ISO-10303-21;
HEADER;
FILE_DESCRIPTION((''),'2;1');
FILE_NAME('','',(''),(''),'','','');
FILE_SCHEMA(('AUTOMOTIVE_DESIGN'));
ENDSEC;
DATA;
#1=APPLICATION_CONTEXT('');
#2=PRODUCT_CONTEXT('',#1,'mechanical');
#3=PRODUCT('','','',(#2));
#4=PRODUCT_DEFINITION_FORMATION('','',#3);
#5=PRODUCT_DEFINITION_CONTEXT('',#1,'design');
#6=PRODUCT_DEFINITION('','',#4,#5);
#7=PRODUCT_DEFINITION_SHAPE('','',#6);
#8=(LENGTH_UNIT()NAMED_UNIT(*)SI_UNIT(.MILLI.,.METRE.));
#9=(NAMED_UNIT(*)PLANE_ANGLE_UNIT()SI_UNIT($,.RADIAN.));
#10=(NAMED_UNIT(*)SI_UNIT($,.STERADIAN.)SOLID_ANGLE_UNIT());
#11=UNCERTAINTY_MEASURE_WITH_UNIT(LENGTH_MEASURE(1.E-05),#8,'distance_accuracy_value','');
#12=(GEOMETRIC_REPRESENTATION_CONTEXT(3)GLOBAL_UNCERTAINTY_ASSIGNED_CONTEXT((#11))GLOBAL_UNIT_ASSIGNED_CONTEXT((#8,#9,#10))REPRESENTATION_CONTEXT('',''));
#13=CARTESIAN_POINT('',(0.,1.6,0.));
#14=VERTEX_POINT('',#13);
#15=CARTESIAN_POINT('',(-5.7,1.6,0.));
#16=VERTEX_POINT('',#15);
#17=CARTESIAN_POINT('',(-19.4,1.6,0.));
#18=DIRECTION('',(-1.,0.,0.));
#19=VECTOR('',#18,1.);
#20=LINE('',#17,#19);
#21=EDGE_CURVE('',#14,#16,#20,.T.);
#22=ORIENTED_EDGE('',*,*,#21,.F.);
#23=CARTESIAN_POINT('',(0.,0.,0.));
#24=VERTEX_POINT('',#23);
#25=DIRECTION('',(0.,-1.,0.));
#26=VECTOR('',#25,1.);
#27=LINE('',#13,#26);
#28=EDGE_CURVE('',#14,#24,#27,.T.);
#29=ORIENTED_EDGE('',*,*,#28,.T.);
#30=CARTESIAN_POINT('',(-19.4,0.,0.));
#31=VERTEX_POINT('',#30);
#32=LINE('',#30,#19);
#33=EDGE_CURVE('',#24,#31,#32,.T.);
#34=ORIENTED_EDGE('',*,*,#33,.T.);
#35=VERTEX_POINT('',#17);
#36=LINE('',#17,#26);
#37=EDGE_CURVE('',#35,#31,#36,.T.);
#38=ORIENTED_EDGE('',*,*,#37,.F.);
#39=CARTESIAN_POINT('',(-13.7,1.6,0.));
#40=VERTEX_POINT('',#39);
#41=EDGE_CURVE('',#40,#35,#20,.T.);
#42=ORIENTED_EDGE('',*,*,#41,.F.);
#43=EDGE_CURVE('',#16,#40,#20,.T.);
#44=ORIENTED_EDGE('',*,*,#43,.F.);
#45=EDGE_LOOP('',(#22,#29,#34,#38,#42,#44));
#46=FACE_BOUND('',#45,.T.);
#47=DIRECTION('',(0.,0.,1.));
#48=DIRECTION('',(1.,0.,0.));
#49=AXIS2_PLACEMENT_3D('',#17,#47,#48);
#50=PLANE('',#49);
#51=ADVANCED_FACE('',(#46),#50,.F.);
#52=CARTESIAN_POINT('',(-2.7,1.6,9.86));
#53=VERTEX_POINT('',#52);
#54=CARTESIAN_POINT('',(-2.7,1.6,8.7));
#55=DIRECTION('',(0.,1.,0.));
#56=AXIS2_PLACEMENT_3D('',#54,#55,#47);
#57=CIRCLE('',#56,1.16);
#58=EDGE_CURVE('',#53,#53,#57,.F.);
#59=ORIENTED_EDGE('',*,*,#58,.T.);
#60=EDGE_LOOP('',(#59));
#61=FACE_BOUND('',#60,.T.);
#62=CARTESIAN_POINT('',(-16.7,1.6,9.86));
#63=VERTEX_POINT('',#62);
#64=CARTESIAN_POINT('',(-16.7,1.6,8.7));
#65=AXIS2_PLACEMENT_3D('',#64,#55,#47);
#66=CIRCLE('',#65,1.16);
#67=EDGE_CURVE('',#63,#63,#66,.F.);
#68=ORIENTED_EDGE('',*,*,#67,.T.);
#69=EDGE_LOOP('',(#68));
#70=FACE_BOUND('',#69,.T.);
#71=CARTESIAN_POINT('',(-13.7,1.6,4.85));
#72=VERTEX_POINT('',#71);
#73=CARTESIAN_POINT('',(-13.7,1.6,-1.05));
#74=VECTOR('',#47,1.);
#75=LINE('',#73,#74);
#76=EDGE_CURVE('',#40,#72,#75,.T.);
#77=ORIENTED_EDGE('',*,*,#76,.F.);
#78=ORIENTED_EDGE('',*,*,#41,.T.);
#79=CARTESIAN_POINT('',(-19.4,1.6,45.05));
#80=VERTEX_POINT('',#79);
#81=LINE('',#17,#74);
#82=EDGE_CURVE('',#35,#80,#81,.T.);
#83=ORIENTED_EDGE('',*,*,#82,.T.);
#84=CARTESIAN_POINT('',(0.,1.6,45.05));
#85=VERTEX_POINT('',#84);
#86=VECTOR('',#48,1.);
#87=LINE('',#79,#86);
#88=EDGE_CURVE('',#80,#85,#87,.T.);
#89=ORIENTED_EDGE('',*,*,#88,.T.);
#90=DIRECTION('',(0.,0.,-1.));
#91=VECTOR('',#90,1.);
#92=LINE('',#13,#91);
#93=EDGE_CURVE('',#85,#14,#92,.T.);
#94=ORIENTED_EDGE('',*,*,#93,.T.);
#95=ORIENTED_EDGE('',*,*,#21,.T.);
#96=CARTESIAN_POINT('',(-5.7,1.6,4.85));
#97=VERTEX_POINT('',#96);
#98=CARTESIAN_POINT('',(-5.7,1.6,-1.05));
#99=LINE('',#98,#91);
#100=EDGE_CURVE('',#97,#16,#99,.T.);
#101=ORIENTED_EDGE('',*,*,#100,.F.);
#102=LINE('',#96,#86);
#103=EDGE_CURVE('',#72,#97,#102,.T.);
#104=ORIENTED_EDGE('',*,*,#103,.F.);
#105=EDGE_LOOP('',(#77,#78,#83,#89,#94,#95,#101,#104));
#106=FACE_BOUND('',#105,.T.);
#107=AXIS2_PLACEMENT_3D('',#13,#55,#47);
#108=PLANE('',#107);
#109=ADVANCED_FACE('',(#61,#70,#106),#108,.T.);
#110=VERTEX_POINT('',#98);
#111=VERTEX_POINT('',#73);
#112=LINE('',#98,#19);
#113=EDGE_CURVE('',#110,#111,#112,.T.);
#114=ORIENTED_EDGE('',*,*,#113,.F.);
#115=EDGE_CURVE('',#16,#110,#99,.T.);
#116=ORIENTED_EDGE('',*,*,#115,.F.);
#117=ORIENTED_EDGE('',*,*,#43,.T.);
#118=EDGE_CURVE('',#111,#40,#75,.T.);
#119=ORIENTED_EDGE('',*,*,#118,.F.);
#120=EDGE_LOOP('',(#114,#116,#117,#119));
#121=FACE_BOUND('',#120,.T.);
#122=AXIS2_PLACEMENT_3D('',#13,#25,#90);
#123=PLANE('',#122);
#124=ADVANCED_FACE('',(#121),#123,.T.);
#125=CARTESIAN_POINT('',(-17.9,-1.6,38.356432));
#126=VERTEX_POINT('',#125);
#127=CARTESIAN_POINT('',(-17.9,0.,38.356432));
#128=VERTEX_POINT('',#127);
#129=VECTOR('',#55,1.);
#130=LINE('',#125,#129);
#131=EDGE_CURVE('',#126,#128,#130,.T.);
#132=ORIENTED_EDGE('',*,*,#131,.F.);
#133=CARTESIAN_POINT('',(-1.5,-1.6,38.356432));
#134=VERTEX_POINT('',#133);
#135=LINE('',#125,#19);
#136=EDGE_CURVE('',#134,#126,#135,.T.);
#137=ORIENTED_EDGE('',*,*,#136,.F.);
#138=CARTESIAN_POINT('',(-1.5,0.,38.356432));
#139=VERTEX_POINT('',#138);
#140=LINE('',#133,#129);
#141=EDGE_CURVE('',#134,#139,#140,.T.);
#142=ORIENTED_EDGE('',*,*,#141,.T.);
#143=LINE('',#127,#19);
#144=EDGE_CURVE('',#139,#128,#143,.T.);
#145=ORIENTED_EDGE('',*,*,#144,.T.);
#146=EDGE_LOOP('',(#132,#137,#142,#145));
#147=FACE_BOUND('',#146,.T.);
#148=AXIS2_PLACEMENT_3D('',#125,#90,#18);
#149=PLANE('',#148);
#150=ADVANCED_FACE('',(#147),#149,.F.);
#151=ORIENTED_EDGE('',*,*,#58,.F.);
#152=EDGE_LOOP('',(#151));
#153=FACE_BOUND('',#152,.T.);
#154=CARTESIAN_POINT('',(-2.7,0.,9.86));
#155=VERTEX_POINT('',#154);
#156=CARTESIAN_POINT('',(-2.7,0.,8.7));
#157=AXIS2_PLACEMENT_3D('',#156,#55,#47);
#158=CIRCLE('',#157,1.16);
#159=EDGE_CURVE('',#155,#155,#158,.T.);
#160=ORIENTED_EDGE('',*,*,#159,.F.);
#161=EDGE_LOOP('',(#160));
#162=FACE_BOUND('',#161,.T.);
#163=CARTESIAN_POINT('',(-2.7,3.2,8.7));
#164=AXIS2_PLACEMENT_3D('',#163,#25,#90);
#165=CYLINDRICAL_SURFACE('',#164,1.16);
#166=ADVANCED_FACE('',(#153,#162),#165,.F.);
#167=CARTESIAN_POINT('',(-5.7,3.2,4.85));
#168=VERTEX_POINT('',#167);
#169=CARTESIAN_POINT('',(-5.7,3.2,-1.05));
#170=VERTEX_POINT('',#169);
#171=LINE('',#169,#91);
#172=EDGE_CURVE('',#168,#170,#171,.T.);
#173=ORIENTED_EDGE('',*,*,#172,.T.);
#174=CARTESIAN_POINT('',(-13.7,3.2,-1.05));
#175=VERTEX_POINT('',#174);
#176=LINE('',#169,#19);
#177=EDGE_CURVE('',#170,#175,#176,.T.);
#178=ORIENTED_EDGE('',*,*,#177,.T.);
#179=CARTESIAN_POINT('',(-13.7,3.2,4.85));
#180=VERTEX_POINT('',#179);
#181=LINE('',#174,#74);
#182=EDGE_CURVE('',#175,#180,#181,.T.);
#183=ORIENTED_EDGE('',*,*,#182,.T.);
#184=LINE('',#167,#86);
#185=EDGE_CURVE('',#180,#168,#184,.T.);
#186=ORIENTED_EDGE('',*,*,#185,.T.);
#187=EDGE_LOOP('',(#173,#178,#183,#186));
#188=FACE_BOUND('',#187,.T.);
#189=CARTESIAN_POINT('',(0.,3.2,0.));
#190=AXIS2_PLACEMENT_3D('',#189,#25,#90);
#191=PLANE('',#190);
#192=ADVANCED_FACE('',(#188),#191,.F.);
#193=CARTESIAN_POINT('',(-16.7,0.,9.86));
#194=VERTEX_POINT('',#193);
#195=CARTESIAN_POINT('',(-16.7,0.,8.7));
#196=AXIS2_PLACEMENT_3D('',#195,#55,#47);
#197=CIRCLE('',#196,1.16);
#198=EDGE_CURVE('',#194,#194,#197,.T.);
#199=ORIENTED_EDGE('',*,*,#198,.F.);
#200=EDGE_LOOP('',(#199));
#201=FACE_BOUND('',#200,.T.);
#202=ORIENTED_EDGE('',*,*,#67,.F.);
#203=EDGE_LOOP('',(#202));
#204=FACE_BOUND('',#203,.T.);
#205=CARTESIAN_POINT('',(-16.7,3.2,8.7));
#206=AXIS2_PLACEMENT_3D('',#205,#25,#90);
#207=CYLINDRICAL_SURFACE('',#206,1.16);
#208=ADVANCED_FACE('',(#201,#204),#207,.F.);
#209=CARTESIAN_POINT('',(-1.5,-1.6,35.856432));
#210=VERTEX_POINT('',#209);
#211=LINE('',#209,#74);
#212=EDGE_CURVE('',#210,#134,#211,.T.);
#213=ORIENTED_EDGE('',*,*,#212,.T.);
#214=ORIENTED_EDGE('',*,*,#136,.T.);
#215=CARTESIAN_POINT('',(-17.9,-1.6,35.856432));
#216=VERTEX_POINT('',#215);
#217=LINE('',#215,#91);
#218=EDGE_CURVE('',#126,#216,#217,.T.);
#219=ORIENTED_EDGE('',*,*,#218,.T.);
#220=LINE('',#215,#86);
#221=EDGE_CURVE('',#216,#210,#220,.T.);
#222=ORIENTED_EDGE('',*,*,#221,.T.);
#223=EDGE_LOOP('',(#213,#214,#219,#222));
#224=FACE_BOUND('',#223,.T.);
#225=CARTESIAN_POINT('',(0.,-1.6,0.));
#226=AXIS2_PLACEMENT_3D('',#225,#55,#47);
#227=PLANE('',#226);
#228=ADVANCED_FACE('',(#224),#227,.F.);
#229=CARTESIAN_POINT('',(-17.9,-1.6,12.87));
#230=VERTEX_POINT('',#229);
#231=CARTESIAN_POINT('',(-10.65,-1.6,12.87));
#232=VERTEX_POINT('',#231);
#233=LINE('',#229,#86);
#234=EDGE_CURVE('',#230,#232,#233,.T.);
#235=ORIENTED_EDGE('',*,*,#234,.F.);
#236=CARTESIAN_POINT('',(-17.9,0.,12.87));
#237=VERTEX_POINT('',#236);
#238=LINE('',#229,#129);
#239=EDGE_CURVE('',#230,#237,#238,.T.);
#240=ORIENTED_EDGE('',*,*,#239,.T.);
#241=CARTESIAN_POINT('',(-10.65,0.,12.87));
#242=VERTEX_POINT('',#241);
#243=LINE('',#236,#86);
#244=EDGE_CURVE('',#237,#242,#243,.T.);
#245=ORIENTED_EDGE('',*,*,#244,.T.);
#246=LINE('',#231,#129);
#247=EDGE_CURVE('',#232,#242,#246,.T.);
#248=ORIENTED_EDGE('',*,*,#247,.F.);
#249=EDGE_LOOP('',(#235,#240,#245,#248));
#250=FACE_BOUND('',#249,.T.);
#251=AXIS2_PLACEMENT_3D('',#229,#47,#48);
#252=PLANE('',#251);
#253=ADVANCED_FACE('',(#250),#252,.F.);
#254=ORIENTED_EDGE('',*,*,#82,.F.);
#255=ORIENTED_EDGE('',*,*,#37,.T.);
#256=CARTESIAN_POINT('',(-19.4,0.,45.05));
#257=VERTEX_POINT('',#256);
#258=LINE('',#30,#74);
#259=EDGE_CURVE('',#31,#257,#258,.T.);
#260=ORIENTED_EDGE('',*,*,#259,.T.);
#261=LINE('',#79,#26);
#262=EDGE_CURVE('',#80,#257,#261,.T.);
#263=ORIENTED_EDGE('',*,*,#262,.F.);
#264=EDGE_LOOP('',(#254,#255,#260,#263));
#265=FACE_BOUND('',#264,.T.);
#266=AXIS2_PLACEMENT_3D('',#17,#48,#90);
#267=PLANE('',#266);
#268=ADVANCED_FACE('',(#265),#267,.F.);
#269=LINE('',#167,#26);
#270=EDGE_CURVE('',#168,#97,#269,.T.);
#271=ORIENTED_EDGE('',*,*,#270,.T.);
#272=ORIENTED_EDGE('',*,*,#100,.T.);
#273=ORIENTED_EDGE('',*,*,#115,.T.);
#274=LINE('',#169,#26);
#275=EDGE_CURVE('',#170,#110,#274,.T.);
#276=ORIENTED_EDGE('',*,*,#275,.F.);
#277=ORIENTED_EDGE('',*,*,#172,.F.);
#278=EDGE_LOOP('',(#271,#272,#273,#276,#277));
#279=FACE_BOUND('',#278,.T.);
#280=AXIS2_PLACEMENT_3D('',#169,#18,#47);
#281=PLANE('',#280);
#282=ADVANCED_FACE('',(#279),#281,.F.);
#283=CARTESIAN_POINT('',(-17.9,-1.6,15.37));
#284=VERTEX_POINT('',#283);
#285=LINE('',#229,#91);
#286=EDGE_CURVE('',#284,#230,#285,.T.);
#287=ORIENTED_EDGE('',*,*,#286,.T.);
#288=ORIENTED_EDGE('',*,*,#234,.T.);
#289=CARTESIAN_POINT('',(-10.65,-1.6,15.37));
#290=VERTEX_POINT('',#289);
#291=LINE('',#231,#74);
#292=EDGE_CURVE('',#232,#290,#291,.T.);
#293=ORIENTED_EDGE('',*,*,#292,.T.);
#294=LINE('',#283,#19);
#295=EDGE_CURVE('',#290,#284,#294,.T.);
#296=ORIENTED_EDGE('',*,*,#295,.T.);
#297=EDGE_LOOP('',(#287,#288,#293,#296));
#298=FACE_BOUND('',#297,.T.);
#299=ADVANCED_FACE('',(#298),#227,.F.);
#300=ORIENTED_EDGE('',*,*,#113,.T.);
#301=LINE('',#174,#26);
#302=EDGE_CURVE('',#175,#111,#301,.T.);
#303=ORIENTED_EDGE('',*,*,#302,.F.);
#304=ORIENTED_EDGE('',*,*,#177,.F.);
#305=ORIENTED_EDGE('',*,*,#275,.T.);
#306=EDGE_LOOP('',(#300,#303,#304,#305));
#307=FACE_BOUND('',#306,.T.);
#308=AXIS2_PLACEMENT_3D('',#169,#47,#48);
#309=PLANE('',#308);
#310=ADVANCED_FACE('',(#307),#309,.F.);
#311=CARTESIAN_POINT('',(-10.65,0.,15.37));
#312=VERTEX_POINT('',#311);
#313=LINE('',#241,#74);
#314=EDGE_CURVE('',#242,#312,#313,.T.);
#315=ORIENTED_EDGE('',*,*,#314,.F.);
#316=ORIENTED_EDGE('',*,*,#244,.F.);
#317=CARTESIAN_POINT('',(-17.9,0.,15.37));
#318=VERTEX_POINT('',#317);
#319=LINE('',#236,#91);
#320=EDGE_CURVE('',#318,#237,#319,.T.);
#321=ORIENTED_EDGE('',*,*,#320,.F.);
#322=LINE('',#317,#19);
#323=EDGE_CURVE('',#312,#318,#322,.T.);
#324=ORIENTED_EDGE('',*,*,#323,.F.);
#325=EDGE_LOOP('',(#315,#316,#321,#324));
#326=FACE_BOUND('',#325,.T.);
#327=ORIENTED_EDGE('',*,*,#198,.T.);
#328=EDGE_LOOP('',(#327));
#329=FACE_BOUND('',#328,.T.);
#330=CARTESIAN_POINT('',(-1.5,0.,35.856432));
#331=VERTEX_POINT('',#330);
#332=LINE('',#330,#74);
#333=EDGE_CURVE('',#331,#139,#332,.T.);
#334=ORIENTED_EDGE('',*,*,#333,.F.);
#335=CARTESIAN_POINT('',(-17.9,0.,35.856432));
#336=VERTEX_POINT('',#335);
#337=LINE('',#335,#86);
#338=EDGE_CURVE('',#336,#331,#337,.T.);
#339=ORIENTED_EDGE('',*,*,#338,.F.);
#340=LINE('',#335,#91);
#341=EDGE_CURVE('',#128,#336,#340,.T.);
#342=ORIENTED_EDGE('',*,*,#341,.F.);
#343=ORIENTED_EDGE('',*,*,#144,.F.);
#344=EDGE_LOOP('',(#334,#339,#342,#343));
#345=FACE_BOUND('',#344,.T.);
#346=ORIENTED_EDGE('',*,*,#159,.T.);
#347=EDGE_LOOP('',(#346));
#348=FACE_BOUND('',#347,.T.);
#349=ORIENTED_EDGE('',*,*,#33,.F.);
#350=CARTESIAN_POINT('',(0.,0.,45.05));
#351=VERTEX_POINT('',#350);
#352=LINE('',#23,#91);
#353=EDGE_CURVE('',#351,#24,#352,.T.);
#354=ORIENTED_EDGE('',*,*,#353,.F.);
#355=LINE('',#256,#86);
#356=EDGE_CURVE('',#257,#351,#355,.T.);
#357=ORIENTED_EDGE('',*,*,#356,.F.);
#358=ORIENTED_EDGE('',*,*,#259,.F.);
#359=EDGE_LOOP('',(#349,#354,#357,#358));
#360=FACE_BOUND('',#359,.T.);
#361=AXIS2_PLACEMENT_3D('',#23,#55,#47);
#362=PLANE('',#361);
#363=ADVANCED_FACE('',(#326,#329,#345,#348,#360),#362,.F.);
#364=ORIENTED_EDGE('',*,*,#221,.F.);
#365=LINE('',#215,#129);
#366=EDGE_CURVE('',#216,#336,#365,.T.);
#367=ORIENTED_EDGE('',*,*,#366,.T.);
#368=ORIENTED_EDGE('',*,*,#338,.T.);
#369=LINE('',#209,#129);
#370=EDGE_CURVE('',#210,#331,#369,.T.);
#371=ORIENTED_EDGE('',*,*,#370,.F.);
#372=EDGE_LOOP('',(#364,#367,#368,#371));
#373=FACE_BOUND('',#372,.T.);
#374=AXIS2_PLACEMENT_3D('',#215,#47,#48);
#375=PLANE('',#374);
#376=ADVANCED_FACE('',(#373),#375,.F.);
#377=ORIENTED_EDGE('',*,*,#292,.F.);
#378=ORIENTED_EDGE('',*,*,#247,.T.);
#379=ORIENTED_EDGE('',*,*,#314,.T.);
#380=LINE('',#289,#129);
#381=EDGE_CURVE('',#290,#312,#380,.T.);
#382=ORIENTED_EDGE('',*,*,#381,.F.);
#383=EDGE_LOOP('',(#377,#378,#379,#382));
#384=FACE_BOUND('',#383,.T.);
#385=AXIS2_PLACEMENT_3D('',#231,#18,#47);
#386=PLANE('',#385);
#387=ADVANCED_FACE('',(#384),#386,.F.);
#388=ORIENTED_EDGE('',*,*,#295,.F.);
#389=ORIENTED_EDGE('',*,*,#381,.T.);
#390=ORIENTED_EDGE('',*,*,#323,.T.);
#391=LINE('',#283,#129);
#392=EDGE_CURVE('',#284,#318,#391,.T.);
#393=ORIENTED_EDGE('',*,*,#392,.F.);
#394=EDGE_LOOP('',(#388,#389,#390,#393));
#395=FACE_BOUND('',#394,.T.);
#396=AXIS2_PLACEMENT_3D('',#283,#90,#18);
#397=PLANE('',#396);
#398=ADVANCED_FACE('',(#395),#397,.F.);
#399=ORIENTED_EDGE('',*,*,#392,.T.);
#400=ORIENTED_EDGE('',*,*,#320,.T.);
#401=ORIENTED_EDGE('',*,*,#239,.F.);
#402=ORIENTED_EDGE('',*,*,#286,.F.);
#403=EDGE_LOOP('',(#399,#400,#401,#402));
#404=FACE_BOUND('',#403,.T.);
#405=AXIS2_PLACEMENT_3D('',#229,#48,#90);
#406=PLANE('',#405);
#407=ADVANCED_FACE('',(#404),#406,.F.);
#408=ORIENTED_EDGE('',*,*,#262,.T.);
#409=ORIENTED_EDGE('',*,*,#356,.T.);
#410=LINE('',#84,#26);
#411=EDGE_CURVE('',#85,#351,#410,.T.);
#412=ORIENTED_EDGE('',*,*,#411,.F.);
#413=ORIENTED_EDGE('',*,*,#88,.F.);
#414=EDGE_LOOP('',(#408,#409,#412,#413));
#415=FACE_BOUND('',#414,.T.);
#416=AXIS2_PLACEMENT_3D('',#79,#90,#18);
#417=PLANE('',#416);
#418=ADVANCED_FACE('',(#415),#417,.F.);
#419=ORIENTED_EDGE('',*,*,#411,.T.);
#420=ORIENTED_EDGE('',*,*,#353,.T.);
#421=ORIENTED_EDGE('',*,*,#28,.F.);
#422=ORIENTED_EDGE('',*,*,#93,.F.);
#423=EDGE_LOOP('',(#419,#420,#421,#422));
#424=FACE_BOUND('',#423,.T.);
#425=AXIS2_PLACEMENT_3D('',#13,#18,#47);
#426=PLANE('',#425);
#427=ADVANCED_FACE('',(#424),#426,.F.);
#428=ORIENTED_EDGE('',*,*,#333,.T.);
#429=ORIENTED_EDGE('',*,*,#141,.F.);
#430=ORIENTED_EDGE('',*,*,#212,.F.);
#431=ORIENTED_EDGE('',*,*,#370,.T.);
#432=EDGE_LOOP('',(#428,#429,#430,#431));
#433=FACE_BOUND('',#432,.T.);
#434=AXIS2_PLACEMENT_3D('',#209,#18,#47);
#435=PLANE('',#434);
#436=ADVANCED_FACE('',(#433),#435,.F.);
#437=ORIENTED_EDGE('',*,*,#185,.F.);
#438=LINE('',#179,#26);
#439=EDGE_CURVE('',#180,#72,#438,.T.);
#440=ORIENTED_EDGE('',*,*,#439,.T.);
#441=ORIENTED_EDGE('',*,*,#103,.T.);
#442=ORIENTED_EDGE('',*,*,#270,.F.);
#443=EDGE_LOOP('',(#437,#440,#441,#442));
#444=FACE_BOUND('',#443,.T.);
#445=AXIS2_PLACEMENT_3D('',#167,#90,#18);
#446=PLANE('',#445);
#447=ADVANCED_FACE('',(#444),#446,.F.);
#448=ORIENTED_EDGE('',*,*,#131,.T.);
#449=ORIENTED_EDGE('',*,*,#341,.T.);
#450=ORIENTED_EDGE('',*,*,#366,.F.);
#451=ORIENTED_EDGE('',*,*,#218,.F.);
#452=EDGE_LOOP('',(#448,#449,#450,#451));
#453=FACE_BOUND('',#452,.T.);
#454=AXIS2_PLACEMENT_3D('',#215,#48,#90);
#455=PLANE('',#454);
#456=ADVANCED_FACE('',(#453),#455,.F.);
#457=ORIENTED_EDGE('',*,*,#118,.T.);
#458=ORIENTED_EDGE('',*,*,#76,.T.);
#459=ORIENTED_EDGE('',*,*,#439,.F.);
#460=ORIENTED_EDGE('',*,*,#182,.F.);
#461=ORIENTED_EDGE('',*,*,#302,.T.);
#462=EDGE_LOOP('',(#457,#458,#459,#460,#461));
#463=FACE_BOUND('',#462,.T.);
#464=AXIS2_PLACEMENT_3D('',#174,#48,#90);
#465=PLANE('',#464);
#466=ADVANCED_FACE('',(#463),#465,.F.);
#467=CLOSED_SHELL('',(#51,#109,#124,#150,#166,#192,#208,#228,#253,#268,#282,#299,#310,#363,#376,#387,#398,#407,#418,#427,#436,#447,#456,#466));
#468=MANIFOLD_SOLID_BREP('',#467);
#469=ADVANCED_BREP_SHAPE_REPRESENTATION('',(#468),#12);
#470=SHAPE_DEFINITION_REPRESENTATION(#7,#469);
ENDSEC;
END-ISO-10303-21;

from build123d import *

# Parameters (mm, degrees)
SKETCH1_W           = 19.4
SKETCH1_H           = 45.05
BOSS_EXTRUDE1_DEPTH = 1.6
SKETCH2_W           = 8
SKETCH2_H           = 5.9
BOSS_EXTRUDE2_DEPTH = 1.6
SKETCH3_R           = 1.16
CUT_EXTRUDE3_DEPTH  = 4.2
SKETCH4_W           = 7.25
SKETCH4_H           = 2.5
SKETCH4_W_2         = 16.4
BOSS_EXTRUDE3_DEPTH = 1.6


with BuildPart() as part:
    # Sketch1 → Boss-Extrude1 (new body)
    with BuildSketch(Plane(origin=(0, 0, 0), x_dir=(1, 0, 0), z_dir=(0, 1, 0))):
        with Locations((-9.7, -22.525)):
            Rectangle(SKETCH1_W, SKETCH1_H)
    extrude(amount=BOSS_EXTRUDE1_DEPTH)

    # Sketch2 → Boss-Extrude2 (add)
    with BuildSketch(Plane(origin=(0, 1.6, 0), x_dir=(1, 0, 0), z_dir=(0, 1, 0))):
        with Locations((-9.7, -1.9)):
            Rectangle(SKETCH2_W, SKETCH2_H)
    extrude(amount=BOSS_EXTRUDE2_DEPTH)

    # Sketch3 → Cut-Extrude3 (cut, through all)
    with BuildSketch(Plane(origin=(0, 0, 0), x_dir=(1, 0, 0), z_dir=(0, 1, 0))):
        with Locations((-16.7, -8.7)):
            Circle(SKETCH3_R)
        with Locations((-2.7, -8.7)):
            Circle(SKETCH3_R)
    extrude(amount=CUT_EXTRUDE3_DEPTH, mode=Mode.SUBTRACT)

    # Sketch4 → Boss-Extrude3 (add)
    with BuildSketch(Plane.XZ):
        with Locations((-14.275, 14.12)):
            Rectangle(SKETCH4_W, SKETCH4_H)
        with Locations((-9.7, 37.106432009)):
            Rectangle(SKETCH4_W_2, SKETCH4_H)
    extrude(amount=BOSS_EXTRUDE3_DEPTH)


solid = part.part
